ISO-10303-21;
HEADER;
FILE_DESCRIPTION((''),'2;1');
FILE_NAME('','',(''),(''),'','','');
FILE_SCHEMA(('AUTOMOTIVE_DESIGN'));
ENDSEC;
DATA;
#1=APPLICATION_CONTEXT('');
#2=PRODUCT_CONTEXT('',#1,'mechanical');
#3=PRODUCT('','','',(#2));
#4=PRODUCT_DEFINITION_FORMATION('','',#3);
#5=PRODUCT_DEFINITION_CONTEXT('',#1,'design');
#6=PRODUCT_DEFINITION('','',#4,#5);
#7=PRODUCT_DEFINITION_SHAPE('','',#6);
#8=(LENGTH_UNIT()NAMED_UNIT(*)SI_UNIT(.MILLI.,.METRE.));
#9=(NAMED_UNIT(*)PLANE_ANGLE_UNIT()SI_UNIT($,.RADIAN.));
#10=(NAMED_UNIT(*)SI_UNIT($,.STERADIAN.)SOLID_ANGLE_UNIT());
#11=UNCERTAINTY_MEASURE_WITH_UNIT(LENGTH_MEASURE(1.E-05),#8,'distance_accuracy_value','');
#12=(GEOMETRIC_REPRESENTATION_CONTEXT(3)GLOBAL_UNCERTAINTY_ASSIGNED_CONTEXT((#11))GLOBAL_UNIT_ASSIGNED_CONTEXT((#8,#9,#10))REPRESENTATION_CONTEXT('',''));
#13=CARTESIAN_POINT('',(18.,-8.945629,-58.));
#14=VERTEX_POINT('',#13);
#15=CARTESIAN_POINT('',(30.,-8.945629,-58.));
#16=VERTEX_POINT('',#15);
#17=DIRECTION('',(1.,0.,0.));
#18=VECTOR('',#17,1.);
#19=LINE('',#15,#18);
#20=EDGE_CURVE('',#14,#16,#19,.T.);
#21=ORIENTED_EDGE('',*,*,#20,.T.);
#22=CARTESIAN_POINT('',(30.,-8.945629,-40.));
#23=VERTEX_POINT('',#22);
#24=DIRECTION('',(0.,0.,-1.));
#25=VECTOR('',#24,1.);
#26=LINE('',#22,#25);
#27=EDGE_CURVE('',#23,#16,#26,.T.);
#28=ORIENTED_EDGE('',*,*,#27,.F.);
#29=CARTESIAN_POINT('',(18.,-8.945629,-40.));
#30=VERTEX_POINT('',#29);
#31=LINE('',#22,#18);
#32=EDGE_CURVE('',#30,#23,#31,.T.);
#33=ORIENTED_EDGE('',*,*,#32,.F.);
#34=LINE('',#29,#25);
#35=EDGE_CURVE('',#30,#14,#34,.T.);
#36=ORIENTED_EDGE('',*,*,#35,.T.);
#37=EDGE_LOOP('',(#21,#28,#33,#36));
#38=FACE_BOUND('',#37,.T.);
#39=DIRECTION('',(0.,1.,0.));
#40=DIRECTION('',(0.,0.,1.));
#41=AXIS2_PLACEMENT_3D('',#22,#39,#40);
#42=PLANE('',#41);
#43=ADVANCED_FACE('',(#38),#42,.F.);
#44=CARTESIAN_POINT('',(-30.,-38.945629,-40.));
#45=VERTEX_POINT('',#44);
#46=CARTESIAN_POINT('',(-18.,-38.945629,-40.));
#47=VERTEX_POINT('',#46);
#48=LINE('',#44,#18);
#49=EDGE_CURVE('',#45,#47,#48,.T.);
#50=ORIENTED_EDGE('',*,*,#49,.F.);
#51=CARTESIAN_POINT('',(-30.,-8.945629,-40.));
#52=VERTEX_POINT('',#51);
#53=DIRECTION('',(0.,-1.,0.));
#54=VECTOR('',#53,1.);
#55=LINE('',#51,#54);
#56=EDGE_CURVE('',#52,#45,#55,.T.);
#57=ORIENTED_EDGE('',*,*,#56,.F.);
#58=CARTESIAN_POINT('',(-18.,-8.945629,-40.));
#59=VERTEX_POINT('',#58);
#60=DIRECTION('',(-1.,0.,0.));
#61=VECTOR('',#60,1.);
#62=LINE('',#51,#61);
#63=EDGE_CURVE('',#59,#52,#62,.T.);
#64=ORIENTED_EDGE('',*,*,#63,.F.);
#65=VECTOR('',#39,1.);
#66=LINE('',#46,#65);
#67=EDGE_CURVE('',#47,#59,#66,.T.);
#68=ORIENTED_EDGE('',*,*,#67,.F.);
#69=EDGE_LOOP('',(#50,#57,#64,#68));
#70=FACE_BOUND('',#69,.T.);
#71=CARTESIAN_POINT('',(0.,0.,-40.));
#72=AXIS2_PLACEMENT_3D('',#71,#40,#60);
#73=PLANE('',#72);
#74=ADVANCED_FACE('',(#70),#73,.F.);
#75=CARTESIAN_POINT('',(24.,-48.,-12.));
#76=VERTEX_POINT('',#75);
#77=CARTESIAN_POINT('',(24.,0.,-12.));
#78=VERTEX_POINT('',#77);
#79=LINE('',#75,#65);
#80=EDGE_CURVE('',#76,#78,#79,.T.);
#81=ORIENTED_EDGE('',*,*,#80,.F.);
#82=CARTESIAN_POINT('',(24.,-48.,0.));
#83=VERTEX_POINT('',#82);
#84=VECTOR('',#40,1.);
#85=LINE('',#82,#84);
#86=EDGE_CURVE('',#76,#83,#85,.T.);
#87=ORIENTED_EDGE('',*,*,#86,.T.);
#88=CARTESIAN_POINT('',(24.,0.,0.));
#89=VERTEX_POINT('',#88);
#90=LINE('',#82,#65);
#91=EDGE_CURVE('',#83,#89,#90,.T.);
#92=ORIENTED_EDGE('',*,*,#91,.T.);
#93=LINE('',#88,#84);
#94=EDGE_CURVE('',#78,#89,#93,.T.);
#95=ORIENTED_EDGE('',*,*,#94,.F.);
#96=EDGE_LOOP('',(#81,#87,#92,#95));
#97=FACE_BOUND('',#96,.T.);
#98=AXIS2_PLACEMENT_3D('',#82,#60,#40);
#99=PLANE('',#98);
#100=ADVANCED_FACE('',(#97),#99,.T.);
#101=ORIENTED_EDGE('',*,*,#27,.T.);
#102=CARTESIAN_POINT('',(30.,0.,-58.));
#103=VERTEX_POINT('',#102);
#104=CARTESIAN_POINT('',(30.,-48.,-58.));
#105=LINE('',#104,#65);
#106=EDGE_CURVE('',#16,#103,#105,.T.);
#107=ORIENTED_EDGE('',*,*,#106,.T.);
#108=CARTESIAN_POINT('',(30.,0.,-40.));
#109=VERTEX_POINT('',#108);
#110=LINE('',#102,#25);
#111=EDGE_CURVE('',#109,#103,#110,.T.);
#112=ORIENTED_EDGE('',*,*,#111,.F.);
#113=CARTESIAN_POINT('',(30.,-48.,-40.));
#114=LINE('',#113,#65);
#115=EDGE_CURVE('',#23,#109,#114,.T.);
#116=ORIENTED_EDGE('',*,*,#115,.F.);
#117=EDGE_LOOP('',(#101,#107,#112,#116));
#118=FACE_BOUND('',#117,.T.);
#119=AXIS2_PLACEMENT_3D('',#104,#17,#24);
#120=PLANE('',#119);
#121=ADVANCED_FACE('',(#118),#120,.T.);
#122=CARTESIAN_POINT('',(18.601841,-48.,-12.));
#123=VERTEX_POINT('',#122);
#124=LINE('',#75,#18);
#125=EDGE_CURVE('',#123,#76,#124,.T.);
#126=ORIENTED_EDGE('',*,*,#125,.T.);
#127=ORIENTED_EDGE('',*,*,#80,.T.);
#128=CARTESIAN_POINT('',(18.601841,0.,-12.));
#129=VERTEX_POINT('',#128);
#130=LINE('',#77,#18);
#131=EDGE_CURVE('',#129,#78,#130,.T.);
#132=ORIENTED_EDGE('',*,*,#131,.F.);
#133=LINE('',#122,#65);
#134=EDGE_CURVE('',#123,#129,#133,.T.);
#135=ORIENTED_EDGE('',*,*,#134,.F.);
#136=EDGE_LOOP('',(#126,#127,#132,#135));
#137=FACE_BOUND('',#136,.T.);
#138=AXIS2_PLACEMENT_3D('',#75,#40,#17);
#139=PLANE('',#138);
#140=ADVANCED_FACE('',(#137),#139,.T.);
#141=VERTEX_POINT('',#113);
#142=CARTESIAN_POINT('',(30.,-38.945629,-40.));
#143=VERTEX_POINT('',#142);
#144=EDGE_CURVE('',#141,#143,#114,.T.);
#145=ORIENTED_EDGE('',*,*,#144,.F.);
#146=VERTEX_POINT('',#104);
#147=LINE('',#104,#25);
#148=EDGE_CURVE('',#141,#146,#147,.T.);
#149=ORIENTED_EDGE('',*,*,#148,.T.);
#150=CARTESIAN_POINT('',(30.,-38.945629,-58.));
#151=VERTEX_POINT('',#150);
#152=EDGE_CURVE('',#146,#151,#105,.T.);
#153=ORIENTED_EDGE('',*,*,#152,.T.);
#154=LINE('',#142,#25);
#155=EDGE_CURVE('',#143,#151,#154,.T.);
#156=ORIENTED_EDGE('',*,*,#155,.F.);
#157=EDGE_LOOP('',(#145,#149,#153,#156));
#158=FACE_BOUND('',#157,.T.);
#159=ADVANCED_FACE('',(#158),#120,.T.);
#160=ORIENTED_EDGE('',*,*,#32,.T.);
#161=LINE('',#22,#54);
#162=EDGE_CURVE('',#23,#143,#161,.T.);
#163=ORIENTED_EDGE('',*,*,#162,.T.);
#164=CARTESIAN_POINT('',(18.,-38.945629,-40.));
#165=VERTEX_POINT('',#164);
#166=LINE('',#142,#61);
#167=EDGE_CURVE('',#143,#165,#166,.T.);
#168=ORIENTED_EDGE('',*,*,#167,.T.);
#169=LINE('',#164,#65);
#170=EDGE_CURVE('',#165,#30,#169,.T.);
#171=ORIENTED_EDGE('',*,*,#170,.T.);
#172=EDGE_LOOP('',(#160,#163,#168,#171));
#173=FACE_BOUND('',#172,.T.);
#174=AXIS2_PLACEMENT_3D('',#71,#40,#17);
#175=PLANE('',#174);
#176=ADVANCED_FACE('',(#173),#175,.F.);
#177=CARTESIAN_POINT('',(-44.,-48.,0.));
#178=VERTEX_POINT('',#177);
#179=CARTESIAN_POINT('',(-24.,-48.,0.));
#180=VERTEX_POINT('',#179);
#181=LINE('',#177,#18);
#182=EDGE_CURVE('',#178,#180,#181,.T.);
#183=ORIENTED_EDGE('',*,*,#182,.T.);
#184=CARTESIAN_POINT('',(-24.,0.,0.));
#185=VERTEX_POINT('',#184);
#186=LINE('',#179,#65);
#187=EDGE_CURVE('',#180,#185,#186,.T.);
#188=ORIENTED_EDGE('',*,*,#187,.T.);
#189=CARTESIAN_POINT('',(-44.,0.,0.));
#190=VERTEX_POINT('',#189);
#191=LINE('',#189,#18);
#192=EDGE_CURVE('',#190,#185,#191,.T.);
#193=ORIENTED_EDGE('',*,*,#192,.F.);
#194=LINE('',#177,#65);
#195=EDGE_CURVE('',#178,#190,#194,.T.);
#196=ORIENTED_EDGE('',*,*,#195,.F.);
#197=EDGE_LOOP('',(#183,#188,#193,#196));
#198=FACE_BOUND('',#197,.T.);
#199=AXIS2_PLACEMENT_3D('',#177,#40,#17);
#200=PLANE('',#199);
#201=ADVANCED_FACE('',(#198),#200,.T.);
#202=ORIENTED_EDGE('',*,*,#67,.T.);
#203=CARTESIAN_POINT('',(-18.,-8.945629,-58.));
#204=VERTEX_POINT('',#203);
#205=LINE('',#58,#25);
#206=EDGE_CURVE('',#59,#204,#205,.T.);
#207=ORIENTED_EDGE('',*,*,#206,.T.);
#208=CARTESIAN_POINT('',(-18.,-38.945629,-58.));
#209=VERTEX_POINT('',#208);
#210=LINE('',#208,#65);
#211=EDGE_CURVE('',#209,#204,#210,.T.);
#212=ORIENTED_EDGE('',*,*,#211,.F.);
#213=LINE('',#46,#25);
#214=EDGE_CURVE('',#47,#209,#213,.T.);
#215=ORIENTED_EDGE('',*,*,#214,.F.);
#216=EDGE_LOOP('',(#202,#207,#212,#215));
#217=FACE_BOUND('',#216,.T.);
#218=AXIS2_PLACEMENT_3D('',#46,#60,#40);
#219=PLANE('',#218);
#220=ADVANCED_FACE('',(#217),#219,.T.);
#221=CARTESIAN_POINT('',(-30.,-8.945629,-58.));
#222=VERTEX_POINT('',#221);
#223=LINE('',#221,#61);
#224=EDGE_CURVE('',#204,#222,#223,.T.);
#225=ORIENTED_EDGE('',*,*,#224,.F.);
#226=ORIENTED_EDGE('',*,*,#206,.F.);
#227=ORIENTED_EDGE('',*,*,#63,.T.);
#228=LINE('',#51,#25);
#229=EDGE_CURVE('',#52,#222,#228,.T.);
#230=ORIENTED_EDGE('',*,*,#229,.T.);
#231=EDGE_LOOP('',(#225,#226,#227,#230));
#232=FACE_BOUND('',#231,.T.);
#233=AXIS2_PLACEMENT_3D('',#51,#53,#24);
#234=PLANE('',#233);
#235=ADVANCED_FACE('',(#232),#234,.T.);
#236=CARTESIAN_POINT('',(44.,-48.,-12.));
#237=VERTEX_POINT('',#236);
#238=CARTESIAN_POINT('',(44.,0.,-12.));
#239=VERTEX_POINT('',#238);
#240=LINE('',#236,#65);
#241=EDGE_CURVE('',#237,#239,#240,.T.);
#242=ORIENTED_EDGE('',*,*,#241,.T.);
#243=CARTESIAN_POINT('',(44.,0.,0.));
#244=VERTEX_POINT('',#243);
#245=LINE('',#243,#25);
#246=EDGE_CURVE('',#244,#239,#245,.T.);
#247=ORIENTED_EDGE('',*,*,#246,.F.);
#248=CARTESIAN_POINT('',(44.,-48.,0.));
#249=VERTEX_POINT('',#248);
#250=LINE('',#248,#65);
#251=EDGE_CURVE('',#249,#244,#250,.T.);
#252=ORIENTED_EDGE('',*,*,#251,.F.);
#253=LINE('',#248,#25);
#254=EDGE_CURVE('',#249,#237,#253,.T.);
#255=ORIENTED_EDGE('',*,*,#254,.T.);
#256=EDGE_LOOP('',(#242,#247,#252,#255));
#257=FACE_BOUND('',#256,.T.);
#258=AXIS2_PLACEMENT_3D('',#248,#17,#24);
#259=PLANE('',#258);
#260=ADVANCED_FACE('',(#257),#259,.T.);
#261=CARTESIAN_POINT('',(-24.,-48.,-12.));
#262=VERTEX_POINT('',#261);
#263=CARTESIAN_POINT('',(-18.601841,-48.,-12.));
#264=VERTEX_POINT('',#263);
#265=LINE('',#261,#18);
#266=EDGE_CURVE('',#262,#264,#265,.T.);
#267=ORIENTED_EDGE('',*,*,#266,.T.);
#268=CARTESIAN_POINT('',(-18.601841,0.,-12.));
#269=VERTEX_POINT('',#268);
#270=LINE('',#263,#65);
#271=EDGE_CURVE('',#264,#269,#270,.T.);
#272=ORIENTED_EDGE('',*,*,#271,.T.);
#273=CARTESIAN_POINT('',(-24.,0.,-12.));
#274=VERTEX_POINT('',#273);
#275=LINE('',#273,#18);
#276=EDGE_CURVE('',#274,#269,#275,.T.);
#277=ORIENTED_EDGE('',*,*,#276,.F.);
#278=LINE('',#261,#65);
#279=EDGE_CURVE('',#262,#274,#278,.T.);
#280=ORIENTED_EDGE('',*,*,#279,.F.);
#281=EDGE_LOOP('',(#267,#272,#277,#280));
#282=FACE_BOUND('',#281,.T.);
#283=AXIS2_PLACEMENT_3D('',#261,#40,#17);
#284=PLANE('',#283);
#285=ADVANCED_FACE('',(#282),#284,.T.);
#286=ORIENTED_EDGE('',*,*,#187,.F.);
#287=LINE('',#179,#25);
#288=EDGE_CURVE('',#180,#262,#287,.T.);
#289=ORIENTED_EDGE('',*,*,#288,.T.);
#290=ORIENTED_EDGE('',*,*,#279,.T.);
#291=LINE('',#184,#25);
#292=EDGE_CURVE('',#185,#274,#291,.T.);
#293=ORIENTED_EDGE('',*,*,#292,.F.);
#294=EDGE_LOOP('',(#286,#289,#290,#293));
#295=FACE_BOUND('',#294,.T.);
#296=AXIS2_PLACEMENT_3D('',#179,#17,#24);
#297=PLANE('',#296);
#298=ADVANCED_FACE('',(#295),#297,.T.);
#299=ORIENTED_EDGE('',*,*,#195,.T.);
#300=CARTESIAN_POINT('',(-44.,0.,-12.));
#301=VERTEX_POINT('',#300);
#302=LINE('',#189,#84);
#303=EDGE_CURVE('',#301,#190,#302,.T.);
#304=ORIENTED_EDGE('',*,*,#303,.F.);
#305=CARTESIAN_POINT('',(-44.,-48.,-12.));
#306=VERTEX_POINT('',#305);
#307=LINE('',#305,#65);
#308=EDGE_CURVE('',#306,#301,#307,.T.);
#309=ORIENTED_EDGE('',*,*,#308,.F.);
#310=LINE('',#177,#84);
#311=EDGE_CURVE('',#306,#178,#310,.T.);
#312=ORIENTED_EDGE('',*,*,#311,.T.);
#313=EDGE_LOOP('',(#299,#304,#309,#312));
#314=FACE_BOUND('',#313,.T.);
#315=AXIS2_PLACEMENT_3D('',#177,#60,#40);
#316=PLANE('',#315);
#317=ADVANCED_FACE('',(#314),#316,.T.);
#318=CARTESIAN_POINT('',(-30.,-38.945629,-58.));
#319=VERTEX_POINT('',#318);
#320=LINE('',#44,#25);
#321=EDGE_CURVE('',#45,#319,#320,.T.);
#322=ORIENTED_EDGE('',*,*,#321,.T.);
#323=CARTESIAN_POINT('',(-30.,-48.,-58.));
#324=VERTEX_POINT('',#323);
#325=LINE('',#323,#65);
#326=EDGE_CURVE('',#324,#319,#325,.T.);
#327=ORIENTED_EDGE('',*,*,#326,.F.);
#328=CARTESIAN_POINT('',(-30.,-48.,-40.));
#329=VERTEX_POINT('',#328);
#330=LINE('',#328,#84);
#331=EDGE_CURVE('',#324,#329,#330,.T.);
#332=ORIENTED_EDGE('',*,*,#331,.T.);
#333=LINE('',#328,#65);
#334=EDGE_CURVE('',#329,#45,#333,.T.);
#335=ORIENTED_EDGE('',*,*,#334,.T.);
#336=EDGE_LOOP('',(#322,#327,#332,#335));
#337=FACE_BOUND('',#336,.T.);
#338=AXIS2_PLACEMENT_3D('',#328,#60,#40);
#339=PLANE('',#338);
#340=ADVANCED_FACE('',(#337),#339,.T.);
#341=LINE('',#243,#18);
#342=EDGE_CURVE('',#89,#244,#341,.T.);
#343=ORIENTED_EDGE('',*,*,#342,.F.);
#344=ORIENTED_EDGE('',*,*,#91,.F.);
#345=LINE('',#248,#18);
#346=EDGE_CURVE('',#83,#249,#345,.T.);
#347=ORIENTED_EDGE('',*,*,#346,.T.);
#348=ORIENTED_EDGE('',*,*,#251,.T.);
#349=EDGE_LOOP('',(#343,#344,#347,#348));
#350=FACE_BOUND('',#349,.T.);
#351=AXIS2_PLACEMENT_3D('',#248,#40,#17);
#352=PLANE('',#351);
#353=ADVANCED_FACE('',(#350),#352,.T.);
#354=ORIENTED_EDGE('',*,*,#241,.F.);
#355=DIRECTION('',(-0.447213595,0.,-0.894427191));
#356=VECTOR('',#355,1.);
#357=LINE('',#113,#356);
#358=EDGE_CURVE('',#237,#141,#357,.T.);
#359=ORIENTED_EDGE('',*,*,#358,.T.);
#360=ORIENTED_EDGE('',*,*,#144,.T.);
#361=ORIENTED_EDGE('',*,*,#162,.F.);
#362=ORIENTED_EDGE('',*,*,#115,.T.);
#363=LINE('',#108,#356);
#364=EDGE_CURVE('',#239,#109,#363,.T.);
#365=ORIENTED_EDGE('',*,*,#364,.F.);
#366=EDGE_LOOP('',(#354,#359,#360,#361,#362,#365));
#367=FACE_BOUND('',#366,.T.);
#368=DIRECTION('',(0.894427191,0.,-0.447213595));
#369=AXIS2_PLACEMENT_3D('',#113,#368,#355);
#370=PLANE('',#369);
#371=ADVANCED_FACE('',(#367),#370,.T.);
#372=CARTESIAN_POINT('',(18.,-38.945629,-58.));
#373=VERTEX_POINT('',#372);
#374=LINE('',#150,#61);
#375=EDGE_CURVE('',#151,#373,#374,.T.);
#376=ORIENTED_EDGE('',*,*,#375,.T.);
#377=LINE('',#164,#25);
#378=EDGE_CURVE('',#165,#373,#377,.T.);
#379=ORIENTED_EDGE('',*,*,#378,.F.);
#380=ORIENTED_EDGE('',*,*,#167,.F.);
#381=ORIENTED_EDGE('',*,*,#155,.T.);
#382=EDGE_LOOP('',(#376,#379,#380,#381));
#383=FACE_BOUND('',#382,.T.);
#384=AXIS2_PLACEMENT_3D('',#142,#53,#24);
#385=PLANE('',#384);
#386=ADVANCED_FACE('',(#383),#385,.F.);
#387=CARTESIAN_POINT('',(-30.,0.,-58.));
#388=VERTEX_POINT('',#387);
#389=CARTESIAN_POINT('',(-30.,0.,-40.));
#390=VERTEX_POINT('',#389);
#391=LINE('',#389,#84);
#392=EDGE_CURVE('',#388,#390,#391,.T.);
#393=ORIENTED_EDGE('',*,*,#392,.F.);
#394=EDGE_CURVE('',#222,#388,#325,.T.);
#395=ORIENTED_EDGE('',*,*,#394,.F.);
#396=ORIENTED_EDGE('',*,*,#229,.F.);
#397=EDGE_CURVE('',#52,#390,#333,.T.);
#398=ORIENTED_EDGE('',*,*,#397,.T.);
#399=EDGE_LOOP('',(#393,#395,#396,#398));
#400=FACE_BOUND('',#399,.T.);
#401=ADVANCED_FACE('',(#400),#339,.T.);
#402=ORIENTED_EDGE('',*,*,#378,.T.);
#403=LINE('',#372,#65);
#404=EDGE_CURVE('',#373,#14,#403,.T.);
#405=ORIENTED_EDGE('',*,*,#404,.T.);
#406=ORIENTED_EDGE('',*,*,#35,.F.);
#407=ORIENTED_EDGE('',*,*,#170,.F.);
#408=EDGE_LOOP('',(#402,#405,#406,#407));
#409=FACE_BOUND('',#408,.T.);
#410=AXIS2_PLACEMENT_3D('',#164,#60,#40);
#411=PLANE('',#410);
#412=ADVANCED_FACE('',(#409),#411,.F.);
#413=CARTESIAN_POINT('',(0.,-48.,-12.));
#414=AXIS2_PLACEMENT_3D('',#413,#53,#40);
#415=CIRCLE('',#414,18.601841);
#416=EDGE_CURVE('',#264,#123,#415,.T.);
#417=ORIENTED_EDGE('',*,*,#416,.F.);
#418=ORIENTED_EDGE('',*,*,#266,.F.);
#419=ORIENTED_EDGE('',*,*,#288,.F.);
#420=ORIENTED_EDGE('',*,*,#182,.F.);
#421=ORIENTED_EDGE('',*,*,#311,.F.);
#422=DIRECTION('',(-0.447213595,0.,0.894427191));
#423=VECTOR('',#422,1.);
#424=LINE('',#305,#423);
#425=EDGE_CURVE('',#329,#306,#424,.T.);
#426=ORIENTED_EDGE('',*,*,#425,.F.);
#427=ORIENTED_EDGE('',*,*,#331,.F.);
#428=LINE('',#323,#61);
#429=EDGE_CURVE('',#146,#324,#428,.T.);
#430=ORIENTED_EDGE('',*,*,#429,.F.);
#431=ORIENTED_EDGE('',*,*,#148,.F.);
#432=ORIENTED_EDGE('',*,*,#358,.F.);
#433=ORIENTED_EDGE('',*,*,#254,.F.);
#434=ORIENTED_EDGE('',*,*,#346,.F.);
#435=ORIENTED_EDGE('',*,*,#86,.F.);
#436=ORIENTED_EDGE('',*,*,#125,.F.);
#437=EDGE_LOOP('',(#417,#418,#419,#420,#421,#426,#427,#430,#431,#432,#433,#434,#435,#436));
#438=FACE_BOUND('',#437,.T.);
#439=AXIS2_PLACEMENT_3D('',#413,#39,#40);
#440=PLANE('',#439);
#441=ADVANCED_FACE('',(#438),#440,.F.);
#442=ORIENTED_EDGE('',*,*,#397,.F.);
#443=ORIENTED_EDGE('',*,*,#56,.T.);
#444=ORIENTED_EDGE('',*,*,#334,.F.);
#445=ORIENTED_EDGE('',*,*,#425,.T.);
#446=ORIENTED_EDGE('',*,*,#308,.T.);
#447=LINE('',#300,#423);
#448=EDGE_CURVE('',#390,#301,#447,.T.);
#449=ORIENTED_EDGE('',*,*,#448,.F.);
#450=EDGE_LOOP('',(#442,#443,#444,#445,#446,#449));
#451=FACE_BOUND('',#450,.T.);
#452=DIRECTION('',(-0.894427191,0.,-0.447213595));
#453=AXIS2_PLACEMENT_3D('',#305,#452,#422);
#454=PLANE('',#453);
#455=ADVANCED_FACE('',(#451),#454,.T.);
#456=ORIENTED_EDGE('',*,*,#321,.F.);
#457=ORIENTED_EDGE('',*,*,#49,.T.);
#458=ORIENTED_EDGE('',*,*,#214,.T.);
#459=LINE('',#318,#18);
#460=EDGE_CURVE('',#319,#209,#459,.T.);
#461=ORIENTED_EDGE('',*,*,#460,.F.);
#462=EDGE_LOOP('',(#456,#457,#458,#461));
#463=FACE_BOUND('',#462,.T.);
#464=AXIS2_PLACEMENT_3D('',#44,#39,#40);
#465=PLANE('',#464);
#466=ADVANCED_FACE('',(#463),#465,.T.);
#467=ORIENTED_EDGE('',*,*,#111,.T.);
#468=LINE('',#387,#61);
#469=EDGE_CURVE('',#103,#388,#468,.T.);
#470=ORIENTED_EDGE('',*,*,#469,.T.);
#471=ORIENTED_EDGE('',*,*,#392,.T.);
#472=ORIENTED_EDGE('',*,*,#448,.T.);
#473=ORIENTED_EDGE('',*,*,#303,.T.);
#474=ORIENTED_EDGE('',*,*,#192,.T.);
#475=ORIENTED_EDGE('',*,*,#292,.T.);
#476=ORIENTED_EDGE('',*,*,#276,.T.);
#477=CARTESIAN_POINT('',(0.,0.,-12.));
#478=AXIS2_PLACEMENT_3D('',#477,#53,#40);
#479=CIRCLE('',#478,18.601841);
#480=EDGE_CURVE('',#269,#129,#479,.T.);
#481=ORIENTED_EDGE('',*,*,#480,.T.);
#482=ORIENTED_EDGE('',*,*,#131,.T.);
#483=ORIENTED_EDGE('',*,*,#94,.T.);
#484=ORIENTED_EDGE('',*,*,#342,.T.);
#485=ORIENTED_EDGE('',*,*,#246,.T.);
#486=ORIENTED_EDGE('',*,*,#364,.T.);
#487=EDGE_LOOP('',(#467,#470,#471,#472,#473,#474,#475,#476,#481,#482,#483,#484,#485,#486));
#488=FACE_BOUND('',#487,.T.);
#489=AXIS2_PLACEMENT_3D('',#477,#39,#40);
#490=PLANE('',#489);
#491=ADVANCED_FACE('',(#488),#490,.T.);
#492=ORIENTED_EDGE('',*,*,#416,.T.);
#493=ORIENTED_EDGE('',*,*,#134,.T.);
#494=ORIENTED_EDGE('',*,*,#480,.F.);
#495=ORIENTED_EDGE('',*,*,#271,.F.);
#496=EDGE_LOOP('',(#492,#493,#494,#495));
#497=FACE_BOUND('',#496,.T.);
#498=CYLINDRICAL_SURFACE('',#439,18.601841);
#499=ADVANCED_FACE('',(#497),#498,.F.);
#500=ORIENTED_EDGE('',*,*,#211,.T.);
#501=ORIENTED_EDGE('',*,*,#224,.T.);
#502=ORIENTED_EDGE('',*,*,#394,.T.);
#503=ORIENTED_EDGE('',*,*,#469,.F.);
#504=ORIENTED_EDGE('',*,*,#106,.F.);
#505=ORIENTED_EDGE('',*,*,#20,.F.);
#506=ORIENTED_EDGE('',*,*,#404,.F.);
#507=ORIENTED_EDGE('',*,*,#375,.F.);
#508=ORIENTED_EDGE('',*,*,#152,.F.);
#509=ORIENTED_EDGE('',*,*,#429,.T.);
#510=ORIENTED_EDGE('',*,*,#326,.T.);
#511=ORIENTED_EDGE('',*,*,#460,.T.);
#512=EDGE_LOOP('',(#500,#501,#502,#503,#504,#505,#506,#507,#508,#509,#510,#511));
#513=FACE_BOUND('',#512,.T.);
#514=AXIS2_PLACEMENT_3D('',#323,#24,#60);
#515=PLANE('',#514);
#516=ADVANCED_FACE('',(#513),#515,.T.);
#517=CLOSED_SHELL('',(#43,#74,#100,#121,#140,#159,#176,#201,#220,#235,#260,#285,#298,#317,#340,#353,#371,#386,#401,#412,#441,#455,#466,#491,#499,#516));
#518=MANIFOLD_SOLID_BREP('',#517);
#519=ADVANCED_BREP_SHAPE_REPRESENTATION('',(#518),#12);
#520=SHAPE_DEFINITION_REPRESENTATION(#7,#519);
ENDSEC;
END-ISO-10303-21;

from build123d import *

# Parameters (mm, degrees)
BOSS_EXTRUDE1_DEPTH = 48
SKETCH2_W           = 12
SKETCH2_H           = 30
CUT_EXTRUDE1_DEPTH  = 18


with BuildPart() as part:
    # Sketch1 → Boss-Extrude1 (new body)
    with BuildSketch(Plane(origin=(0, 0, 0), x_dir=(1, 0, 0), z_dir=(0, 1, 0))):
        with BuildLine():
            Line((-44, 0), (-24, 0))
            Line((-24, 0), (-24, 12))
            Line((-24, 12), (-18.601840861, 12))
            ThreePointArc((-18.601840861, 12), (0, 30.601840861), (18.601840861, 12))
            Line((18.601840861, 12), (24, 12))
            Line((24, 12), (24, 0))
            Line((24, 0), (44, 0))
            Line((44, 0), (44, 12))
            Line((44, 12), (30, 40))
            Line((30, 40), (30, 58))
            Line((30, 58), (-30, 58))
            Line((-30, 58), (-30, 40))
            Line((-30, 40), (-44, 12))
            Line((-44, 12), (-44, 0))
        make_face()
    extrude(amount=-BOSS_EXTRUDE1_DEPTH)

    # Sketch2 → Cut-Extrude1 (cut)
    with BuildSketch(Plane(origin=(0, 0, -58), x_dir=(-1, 0, 0), z_dir=(0, 0, -1))):
        with Locations((-24, -23.945628859)):
            Rectangle(SKETCH2_W, SKETCH2_H)
    cut_extrude1 = extrude(amount=-CUT_EXTRUDE1_DEPTH, mode=Mode.SUBTRACT)

    # Mirror1: Cut-Extrude1 across plane
    add(cut_extrude1.mirror(Plane(origin=(0, 0, 0), x_dir=(0, 0, 1), z_dir=(1, 0, 0))), mode=Mode.SUBTRACT)


solid = part.part
